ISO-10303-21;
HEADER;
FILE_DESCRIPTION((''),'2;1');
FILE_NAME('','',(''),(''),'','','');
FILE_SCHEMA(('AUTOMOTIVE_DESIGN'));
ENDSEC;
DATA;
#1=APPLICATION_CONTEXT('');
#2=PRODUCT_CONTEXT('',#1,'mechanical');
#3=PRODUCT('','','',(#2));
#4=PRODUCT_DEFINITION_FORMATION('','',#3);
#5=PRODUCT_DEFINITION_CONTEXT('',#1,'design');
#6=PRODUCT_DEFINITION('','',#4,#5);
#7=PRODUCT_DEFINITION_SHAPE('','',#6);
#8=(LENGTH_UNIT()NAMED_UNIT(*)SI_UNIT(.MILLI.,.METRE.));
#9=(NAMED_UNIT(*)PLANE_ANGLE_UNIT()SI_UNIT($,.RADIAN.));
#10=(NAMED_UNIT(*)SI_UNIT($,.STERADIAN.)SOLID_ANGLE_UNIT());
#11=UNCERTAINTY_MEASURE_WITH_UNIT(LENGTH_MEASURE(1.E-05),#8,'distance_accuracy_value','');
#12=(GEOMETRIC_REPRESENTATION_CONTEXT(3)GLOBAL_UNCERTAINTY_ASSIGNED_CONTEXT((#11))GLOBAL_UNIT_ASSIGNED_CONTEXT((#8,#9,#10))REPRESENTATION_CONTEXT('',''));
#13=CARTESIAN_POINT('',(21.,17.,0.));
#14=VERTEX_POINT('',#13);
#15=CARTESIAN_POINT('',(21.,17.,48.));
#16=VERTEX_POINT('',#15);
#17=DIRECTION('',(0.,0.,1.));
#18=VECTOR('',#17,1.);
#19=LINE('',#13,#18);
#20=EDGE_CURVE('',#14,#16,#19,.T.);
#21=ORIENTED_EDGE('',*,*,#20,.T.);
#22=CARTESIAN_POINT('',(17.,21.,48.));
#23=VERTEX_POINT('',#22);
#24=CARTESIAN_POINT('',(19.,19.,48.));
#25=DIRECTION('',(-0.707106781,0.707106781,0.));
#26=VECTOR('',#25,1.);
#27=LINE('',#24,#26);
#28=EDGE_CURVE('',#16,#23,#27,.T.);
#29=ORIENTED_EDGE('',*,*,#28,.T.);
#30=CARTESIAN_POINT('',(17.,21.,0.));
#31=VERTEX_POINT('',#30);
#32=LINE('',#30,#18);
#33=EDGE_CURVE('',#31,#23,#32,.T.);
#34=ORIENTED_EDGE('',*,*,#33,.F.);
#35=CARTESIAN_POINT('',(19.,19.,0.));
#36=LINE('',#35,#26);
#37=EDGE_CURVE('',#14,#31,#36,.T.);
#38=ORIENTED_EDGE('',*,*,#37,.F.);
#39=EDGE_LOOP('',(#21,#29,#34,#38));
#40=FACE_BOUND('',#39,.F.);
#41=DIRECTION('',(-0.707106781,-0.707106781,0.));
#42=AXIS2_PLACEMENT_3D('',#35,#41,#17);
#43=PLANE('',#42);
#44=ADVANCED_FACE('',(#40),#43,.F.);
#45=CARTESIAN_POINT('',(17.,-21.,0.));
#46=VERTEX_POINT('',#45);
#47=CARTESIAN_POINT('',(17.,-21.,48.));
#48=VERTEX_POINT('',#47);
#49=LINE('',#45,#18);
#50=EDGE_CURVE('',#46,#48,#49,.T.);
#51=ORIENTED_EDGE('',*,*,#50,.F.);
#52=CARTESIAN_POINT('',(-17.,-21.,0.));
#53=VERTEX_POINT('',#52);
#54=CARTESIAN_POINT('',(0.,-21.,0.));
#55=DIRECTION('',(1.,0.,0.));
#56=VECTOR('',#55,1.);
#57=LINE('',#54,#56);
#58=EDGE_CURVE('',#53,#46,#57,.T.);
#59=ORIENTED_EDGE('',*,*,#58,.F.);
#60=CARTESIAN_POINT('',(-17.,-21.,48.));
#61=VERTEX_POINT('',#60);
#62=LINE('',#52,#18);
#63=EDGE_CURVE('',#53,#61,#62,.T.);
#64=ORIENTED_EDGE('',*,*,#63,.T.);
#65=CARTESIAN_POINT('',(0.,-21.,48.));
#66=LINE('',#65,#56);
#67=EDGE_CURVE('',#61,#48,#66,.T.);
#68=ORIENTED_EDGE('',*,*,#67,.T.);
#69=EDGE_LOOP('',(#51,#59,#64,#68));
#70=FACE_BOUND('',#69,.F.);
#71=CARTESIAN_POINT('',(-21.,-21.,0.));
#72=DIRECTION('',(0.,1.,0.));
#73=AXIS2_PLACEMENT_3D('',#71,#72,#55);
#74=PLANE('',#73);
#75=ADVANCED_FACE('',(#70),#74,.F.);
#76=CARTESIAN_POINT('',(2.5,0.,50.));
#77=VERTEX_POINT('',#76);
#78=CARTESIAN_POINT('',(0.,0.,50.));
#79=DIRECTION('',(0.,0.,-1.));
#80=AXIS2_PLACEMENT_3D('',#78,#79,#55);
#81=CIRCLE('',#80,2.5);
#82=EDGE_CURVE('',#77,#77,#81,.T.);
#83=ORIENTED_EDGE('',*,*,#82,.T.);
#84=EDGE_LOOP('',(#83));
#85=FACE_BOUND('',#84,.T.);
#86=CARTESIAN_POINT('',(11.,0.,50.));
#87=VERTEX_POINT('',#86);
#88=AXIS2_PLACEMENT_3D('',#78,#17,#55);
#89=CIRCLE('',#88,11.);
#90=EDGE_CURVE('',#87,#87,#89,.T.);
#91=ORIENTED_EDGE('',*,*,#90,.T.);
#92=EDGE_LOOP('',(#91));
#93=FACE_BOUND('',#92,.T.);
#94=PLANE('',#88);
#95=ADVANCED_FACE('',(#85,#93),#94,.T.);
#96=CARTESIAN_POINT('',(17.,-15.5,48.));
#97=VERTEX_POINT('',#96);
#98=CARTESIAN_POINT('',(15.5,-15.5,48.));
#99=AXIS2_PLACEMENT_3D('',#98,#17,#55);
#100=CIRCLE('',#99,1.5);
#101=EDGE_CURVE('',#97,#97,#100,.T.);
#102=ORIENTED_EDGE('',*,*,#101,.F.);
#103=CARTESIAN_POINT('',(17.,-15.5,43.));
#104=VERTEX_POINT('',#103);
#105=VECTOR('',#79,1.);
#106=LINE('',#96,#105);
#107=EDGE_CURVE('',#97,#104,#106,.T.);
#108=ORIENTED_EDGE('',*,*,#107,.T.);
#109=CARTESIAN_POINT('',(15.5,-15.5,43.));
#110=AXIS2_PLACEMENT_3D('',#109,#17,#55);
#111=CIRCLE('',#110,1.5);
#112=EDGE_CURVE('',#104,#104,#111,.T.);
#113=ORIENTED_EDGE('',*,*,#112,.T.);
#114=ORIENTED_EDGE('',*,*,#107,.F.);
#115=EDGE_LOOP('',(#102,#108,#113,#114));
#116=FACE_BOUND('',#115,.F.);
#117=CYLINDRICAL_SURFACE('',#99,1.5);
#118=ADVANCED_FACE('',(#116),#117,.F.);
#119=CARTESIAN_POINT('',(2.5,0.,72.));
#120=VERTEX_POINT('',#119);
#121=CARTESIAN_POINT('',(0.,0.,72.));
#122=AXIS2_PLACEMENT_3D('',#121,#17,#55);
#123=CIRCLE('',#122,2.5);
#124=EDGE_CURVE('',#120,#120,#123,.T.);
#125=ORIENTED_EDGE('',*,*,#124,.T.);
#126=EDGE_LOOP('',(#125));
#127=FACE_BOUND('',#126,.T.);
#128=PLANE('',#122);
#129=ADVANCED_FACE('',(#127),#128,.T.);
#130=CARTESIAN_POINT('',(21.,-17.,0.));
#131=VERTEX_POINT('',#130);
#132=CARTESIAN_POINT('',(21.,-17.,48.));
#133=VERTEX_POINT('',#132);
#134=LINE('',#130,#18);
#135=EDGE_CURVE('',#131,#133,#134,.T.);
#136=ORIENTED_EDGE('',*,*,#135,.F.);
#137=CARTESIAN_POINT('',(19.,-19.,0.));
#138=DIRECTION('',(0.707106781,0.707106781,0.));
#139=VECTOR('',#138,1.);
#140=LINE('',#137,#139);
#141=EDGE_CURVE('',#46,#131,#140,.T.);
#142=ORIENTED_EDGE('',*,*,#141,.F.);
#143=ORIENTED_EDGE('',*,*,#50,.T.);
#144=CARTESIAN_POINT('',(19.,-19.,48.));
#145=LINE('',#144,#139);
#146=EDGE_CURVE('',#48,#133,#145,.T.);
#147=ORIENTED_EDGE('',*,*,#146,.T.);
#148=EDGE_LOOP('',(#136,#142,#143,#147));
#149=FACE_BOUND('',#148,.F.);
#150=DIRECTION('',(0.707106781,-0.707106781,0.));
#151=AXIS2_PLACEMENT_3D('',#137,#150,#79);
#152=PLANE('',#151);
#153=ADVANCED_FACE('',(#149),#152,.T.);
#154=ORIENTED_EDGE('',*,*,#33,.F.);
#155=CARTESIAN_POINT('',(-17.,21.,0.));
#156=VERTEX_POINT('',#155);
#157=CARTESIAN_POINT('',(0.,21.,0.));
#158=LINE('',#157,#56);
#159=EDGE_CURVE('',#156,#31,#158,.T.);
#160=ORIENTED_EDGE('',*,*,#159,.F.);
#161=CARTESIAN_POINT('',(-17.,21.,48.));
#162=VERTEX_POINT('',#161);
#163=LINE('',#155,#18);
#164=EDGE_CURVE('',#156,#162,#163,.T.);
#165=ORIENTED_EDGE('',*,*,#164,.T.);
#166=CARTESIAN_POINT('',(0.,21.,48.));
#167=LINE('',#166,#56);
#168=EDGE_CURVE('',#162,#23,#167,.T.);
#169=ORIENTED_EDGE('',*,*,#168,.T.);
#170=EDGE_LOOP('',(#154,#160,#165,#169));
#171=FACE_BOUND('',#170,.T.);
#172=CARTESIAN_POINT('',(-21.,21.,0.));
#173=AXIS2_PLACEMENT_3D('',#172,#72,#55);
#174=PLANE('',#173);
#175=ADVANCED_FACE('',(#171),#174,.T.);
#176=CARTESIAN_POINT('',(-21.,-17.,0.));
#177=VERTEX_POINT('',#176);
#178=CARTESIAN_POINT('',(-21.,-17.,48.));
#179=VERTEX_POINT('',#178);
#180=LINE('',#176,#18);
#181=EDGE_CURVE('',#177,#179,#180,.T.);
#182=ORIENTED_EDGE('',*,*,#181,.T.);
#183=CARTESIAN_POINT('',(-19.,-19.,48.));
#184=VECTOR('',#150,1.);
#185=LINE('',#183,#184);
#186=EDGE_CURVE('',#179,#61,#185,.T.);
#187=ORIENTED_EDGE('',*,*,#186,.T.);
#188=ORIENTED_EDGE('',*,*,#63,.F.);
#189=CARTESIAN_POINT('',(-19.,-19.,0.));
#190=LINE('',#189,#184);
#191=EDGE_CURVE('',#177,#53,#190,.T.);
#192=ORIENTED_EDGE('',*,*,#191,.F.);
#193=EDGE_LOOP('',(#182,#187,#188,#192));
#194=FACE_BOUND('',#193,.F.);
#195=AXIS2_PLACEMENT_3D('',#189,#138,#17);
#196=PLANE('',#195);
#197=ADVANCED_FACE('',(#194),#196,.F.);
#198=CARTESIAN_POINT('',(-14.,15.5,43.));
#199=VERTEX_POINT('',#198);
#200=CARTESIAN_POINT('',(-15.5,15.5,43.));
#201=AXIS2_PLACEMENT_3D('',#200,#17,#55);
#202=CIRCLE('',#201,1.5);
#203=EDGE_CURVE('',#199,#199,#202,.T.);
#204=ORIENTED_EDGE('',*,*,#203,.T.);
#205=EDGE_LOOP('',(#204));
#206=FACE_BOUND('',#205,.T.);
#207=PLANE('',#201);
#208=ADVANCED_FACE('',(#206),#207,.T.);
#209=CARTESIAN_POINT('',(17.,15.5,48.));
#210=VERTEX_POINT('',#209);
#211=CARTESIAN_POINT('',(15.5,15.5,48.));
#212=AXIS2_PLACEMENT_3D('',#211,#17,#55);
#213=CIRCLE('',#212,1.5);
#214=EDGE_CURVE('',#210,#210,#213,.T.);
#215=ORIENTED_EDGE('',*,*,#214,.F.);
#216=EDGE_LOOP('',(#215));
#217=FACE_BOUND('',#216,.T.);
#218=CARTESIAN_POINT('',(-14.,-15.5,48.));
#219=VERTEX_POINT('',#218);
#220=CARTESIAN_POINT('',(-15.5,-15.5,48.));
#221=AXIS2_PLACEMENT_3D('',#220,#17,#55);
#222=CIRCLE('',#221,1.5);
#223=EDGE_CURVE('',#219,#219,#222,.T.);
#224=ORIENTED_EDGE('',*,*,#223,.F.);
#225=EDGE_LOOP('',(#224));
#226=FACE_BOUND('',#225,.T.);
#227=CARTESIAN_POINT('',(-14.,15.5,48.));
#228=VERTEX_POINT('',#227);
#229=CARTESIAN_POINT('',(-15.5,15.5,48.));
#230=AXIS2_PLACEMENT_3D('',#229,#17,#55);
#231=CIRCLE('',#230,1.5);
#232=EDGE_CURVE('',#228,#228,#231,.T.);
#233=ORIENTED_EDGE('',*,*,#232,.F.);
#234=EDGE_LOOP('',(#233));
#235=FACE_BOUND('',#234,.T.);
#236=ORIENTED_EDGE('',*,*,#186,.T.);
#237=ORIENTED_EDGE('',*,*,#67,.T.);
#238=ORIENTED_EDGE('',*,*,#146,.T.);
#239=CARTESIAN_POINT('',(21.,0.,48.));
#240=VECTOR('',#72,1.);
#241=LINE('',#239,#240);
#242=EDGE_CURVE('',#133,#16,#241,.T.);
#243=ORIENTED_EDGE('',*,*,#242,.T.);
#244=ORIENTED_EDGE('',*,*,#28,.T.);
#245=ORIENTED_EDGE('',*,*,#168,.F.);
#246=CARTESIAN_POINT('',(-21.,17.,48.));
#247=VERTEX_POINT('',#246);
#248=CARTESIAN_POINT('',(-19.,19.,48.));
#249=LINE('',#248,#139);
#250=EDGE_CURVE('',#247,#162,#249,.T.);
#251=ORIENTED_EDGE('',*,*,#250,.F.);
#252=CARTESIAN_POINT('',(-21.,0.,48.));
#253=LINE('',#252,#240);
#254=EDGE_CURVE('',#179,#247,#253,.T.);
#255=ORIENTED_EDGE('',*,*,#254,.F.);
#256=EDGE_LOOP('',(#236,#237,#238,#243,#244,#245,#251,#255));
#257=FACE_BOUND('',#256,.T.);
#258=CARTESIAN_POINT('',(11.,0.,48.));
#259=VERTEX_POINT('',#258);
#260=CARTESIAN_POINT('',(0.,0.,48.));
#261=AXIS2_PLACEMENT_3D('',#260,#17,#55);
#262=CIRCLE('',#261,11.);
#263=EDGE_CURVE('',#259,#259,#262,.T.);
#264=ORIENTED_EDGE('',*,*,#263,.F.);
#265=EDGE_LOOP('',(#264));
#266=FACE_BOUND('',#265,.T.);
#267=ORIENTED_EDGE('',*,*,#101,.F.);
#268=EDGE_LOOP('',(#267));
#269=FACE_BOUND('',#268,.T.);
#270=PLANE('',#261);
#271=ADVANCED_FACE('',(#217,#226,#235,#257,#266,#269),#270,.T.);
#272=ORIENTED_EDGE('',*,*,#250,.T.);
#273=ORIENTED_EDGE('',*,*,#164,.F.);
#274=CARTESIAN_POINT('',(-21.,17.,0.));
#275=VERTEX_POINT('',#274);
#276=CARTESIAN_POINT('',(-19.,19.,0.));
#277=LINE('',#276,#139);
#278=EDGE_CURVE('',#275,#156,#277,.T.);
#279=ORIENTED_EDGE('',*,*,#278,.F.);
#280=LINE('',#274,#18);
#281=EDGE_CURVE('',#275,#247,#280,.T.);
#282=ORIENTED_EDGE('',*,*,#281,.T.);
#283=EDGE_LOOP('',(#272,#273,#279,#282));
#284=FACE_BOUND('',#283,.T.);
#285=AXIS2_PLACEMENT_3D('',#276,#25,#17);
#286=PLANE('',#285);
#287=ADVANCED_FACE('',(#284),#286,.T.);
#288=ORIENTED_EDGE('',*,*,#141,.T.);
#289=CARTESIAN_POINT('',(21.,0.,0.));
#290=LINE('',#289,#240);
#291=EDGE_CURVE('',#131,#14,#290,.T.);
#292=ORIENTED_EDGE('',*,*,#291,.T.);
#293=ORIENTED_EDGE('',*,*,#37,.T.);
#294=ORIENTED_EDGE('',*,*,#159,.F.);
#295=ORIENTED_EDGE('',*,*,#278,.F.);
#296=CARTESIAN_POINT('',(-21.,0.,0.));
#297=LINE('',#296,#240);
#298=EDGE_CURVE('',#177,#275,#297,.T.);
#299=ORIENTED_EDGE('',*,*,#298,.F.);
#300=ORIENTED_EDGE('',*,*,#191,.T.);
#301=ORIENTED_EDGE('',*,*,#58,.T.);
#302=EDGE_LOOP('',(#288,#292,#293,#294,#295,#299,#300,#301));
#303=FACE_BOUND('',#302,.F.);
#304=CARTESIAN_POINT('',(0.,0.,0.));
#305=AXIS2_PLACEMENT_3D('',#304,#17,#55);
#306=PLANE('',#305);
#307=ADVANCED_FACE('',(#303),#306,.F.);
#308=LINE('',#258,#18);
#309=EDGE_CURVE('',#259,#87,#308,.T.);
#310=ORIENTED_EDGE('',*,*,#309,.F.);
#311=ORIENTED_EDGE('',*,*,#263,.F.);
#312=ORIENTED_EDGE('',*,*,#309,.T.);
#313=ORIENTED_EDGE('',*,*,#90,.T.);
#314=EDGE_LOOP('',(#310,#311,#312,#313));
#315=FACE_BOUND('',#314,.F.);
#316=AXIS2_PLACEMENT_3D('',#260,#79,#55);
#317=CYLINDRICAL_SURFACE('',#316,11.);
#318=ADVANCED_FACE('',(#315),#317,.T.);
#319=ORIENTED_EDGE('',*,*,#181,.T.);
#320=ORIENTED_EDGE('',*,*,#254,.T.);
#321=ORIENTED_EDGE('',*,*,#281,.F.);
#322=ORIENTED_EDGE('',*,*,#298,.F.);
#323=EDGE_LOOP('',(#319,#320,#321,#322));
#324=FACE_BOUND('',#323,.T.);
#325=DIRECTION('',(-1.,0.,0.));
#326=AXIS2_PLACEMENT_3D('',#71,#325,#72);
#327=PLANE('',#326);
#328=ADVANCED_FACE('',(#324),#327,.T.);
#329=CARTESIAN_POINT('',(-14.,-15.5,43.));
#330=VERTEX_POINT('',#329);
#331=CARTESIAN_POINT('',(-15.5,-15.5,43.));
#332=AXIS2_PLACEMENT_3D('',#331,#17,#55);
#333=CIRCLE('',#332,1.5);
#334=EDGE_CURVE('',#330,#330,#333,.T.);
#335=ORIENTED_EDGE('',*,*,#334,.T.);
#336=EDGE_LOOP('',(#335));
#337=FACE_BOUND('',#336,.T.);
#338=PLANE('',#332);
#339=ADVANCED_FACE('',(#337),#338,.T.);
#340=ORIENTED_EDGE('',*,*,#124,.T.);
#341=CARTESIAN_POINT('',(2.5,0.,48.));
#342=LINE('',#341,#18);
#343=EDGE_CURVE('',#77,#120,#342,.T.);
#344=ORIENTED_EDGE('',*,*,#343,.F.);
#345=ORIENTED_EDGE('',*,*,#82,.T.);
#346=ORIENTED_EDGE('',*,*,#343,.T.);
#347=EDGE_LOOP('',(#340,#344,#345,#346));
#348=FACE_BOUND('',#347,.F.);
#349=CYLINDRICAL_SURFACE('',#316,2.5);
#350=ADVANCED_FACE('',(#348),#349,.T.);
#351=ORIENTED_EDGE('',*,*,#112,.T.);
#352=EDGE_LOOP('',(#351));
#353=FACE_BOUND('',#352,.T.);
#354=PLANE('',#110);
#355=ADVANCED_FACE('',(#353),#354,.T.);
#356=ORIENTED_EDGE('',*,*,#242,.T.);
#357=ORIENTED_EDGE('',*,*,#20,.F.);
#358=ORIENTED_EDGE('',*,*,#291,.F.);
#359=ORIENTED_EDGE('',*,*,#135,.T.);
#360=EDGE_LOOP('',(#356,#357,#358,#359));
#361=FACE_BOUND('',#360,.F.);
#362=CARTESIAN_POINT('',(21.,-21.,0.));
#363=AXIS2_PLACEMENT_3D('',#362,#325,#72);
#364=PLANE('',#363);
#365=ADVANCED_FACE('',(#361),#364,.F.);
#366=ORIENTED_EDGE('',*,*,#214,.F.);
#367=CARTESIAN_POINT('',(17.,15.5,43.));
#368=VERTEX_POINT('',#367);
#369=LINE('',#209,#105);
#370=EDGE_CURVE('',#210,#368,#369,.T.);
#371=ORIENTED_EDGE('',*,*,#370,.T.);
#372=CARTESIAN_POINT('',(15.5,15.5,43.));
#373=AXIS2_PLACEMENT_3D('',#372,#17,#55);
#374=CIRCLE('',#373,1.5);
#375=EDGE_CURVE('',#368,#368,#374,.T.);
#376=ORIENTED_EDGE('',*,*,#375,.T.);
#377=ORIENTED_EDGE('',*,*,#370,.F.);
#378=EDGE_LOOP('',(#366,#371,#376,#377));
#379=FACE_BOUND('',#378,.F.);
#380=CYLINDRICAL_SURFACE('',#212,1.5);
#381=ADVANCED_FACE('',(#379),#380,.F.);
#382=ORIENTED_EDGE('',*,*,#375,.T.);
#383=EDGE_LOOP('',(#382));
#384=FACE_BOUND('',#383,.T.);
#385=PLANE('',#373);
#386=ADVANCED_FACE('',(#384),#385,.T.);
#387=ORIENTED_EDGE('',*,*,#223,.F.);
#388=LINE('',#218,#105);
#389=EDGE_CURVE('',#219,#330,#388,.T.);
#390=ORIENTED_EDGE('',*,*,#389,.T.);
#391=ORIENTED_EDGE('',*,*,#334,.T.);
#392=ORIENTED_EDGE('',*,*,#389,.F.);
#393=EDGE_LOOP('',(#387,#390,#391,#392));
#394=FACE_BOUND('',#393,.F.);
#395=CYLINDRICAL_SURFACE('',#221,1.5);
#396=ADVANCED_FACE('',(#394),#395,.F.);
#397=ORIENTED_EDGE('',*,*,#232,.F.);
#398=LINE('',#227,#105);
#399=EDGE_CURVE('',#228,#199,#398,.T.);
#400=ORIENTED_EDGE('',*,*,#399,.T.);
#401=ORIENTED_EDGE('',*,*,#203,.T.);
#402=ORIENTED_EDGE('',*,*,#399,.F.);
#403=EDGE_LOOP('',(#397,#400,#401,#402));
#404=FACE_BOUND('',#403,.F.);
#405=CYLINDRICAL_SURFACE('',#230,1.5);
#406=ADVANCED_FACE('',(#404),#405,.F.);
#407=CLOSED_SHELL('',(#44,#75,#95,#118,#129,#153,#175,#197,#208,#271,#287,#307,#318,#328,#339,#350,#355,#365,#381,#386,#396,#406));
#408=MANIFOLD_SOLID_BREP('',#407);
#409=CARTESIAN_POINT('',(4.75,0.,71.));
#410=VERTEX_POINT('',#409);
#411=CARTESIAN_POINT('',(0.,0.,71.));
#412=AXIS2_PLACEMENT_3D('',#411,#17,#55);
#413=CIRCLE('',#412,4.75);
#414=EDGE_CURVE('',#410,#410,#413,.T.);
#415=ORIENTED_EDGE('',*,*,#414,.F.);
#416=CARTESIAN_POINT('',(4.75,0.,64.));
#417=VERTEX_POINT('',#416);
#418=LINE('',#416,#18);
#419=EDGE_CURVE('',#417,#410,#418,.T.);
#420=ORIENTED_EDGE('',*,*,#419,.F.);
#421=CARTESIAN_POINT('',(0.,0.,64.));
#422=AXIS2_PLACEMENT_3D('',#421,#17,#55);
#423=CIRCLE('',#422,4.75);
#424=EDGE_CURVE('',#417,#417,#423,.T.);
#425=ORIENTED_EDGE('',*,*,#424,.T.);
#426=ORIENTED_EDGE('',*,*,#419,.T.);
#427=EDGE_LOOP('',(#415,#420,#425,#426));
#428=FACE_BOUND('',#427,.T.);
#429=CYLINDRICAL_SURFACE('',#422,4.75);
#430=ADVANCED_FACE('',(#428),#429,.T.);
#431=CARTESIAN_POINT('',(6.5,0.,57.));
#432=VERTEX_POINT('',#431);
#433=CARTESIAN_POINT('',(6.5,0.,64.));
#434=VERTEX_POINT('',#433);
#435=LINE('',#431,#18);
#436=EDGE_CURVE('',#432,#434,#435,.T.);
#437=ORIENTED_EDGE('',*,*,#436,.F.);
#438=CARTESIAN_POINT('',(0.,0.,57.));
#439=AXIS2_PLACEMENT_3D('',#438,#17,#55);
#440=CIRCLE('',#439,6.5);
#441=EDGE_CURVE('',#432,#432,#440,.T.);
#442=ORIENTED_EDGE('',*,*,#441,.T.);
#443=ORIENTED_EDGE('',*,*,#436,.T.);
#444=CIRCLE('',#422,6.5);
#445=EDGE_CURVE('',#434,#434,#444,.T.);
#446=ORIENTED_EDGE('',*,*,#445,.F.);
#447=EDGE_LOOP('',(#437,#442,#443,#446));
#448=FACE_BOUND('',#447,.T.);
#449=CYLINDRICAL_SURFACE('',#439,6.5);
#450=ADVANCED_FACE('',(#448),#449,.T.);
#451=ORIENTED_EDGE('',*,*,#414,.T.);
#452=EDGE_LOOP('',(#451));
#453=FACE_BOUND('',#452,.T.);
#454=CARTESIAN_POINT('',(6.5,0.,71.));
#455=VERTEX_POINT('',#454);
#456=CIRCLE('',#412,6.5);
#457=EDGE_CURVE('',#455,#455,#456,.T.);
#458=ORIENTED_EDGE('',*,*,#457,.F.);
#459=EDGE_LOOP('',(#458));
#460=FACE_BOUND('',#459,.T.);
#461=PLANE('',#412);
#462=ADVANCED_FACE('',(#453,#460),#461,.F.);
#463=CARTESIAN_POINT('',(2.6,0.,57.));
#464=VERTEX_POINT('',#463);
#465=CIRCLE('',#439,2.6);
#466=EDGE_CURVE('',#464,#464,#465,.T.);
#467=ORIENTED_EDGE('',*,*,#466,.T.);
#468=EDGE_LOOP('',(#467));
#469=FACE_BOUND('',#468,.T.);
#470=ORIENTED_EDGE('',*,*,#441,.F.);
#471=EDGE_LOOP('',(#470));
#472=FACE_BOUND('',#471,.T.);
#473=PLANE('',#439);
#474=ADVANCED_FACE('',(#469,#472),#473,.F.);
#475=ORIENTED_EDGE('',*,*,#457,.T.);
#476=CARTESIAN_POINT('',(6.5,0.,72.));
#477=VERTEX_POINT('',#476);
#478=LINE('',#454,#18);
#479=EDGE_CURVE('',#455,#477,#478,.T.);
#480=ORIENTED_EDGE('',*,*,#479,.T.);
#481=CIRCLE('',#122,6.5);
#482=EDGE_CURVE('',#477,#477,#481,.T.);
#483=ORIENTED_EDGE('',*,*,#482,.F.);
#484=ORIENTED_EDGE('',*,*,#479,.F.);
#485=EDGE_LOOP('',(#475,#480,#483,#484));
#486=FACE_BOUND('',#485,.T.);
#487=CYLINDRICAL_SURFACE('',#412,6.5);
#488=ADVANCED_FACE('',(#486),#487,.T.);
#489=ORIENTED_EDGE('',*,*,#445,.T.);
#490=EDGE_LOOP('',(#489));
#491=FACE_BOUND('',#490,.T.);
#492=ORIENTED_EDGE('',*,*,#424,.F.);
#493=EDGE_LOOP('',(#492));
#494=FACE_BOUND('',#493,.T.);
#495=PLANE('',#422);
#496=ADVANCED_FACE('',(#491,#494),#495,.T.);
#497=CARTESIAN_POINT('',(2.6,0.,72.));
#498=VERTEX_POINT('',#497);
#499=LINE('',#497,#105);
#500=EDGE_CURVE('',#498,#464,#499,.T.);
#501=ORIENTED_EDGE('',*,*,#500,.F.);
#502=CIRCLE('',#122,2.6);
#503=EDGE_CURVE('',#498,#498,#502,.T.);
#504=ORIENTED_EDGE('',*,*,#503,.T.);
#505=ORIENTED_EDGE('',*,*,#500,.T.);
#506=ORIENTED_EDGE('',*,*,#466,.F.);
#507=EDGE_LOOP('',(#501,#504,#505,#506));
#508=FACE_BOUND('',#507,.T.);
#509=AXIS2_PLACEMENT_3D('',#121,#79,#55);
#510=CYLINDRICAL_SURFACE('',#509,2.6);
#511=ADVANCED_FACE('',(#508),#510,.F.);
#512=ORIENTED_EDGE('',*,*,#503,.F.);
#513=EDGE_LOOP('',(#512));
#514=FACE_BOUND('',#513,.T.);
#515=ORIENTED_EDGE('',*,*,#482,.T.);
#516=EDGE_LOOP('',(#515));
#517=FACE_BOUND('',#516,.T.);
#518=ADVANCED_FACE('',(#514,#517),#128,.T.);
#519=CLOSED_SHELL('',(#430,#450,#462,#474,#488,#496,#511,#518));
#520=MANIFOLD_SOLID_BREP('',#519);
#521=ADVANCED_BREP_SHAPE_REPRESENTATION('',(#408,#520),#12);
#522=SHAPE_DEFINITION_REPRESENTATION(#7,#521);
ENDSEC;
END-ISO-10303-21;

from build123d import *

# Parameters (mm, degrees)
F0_W     = 42
F0_H     = 42
F1_DEPTH = 48
F2_SIZE  = 4
F3_R     = 2.5
F4_DEPTH = 24
F3_R_2   = 11
F5_DEPTH = 2
F3_R_3   = 1.5
F6_DEPTH = 5


with BuildPart() as f1:
    # F0 (on Top) → F1 (new body)
    with BuildSketch(Plane.XY):
        Rectangle(F0_W, F0_H)
    extrude(amount=F1_DEPTH)

    # F2
    f2_edges = [f1.edges().sort_by_distance(p)[0] for p in [
        (-21, -21, 24),
        (21, -21, 24),
        (21, 21, 24),
        (-21, 21, 24),
    ]]
    chamfer(f2_edges, length=F2_SIZE)

    # F3 (on face) → F4 (join)
    with BuildSketch(Plane.XY.offset(48)):
        Circle(F3_R)
    extrude(amount=F4_DEPTH)

    # F3 (on face) → F5 (join)
    with BuildSketch(Plane.XY.offset(48)):
        Circle(F3_R_2)
        Circle(F3_R, mode=Mode.SUBTRACT)
        Circle(F3_R)
    extrude(amount=F5_DEPTH)

    # F3 (on face) → F6 (cut)
    with BuildSketch(Plane.XY.offset(48)):
        with Locations((15.5, -15.5)):
            Circle(F3_R_3)
        with Locations((15.5, 15.5)):
            Circle(F3_R_3)
        with Locations((-15.5, 15.5)):
            Circle(F3_R_3)
        with Locations((-15.5, -15.5)):
            Circle(F3_R_3)
    extrude(amount=-F6_DEPTH, mode=Mode.SUBTRACT)


with BuildPart() as f8:
    # F7 (on Front) → F8 (revolve)
    with BuildSketch(Plane.XZ):
        Polygon((2.6, 57), (6.5, 57), (6.5, 64), (4.75, 64), (4.75, 71), (6.5, 71), (6.5, 72), (2.6, 72), align=None)
    revolve(axis=Axis((0, 0, 77), (0, 0, 1)))


solid = Compound([f1.part, f8.part])
